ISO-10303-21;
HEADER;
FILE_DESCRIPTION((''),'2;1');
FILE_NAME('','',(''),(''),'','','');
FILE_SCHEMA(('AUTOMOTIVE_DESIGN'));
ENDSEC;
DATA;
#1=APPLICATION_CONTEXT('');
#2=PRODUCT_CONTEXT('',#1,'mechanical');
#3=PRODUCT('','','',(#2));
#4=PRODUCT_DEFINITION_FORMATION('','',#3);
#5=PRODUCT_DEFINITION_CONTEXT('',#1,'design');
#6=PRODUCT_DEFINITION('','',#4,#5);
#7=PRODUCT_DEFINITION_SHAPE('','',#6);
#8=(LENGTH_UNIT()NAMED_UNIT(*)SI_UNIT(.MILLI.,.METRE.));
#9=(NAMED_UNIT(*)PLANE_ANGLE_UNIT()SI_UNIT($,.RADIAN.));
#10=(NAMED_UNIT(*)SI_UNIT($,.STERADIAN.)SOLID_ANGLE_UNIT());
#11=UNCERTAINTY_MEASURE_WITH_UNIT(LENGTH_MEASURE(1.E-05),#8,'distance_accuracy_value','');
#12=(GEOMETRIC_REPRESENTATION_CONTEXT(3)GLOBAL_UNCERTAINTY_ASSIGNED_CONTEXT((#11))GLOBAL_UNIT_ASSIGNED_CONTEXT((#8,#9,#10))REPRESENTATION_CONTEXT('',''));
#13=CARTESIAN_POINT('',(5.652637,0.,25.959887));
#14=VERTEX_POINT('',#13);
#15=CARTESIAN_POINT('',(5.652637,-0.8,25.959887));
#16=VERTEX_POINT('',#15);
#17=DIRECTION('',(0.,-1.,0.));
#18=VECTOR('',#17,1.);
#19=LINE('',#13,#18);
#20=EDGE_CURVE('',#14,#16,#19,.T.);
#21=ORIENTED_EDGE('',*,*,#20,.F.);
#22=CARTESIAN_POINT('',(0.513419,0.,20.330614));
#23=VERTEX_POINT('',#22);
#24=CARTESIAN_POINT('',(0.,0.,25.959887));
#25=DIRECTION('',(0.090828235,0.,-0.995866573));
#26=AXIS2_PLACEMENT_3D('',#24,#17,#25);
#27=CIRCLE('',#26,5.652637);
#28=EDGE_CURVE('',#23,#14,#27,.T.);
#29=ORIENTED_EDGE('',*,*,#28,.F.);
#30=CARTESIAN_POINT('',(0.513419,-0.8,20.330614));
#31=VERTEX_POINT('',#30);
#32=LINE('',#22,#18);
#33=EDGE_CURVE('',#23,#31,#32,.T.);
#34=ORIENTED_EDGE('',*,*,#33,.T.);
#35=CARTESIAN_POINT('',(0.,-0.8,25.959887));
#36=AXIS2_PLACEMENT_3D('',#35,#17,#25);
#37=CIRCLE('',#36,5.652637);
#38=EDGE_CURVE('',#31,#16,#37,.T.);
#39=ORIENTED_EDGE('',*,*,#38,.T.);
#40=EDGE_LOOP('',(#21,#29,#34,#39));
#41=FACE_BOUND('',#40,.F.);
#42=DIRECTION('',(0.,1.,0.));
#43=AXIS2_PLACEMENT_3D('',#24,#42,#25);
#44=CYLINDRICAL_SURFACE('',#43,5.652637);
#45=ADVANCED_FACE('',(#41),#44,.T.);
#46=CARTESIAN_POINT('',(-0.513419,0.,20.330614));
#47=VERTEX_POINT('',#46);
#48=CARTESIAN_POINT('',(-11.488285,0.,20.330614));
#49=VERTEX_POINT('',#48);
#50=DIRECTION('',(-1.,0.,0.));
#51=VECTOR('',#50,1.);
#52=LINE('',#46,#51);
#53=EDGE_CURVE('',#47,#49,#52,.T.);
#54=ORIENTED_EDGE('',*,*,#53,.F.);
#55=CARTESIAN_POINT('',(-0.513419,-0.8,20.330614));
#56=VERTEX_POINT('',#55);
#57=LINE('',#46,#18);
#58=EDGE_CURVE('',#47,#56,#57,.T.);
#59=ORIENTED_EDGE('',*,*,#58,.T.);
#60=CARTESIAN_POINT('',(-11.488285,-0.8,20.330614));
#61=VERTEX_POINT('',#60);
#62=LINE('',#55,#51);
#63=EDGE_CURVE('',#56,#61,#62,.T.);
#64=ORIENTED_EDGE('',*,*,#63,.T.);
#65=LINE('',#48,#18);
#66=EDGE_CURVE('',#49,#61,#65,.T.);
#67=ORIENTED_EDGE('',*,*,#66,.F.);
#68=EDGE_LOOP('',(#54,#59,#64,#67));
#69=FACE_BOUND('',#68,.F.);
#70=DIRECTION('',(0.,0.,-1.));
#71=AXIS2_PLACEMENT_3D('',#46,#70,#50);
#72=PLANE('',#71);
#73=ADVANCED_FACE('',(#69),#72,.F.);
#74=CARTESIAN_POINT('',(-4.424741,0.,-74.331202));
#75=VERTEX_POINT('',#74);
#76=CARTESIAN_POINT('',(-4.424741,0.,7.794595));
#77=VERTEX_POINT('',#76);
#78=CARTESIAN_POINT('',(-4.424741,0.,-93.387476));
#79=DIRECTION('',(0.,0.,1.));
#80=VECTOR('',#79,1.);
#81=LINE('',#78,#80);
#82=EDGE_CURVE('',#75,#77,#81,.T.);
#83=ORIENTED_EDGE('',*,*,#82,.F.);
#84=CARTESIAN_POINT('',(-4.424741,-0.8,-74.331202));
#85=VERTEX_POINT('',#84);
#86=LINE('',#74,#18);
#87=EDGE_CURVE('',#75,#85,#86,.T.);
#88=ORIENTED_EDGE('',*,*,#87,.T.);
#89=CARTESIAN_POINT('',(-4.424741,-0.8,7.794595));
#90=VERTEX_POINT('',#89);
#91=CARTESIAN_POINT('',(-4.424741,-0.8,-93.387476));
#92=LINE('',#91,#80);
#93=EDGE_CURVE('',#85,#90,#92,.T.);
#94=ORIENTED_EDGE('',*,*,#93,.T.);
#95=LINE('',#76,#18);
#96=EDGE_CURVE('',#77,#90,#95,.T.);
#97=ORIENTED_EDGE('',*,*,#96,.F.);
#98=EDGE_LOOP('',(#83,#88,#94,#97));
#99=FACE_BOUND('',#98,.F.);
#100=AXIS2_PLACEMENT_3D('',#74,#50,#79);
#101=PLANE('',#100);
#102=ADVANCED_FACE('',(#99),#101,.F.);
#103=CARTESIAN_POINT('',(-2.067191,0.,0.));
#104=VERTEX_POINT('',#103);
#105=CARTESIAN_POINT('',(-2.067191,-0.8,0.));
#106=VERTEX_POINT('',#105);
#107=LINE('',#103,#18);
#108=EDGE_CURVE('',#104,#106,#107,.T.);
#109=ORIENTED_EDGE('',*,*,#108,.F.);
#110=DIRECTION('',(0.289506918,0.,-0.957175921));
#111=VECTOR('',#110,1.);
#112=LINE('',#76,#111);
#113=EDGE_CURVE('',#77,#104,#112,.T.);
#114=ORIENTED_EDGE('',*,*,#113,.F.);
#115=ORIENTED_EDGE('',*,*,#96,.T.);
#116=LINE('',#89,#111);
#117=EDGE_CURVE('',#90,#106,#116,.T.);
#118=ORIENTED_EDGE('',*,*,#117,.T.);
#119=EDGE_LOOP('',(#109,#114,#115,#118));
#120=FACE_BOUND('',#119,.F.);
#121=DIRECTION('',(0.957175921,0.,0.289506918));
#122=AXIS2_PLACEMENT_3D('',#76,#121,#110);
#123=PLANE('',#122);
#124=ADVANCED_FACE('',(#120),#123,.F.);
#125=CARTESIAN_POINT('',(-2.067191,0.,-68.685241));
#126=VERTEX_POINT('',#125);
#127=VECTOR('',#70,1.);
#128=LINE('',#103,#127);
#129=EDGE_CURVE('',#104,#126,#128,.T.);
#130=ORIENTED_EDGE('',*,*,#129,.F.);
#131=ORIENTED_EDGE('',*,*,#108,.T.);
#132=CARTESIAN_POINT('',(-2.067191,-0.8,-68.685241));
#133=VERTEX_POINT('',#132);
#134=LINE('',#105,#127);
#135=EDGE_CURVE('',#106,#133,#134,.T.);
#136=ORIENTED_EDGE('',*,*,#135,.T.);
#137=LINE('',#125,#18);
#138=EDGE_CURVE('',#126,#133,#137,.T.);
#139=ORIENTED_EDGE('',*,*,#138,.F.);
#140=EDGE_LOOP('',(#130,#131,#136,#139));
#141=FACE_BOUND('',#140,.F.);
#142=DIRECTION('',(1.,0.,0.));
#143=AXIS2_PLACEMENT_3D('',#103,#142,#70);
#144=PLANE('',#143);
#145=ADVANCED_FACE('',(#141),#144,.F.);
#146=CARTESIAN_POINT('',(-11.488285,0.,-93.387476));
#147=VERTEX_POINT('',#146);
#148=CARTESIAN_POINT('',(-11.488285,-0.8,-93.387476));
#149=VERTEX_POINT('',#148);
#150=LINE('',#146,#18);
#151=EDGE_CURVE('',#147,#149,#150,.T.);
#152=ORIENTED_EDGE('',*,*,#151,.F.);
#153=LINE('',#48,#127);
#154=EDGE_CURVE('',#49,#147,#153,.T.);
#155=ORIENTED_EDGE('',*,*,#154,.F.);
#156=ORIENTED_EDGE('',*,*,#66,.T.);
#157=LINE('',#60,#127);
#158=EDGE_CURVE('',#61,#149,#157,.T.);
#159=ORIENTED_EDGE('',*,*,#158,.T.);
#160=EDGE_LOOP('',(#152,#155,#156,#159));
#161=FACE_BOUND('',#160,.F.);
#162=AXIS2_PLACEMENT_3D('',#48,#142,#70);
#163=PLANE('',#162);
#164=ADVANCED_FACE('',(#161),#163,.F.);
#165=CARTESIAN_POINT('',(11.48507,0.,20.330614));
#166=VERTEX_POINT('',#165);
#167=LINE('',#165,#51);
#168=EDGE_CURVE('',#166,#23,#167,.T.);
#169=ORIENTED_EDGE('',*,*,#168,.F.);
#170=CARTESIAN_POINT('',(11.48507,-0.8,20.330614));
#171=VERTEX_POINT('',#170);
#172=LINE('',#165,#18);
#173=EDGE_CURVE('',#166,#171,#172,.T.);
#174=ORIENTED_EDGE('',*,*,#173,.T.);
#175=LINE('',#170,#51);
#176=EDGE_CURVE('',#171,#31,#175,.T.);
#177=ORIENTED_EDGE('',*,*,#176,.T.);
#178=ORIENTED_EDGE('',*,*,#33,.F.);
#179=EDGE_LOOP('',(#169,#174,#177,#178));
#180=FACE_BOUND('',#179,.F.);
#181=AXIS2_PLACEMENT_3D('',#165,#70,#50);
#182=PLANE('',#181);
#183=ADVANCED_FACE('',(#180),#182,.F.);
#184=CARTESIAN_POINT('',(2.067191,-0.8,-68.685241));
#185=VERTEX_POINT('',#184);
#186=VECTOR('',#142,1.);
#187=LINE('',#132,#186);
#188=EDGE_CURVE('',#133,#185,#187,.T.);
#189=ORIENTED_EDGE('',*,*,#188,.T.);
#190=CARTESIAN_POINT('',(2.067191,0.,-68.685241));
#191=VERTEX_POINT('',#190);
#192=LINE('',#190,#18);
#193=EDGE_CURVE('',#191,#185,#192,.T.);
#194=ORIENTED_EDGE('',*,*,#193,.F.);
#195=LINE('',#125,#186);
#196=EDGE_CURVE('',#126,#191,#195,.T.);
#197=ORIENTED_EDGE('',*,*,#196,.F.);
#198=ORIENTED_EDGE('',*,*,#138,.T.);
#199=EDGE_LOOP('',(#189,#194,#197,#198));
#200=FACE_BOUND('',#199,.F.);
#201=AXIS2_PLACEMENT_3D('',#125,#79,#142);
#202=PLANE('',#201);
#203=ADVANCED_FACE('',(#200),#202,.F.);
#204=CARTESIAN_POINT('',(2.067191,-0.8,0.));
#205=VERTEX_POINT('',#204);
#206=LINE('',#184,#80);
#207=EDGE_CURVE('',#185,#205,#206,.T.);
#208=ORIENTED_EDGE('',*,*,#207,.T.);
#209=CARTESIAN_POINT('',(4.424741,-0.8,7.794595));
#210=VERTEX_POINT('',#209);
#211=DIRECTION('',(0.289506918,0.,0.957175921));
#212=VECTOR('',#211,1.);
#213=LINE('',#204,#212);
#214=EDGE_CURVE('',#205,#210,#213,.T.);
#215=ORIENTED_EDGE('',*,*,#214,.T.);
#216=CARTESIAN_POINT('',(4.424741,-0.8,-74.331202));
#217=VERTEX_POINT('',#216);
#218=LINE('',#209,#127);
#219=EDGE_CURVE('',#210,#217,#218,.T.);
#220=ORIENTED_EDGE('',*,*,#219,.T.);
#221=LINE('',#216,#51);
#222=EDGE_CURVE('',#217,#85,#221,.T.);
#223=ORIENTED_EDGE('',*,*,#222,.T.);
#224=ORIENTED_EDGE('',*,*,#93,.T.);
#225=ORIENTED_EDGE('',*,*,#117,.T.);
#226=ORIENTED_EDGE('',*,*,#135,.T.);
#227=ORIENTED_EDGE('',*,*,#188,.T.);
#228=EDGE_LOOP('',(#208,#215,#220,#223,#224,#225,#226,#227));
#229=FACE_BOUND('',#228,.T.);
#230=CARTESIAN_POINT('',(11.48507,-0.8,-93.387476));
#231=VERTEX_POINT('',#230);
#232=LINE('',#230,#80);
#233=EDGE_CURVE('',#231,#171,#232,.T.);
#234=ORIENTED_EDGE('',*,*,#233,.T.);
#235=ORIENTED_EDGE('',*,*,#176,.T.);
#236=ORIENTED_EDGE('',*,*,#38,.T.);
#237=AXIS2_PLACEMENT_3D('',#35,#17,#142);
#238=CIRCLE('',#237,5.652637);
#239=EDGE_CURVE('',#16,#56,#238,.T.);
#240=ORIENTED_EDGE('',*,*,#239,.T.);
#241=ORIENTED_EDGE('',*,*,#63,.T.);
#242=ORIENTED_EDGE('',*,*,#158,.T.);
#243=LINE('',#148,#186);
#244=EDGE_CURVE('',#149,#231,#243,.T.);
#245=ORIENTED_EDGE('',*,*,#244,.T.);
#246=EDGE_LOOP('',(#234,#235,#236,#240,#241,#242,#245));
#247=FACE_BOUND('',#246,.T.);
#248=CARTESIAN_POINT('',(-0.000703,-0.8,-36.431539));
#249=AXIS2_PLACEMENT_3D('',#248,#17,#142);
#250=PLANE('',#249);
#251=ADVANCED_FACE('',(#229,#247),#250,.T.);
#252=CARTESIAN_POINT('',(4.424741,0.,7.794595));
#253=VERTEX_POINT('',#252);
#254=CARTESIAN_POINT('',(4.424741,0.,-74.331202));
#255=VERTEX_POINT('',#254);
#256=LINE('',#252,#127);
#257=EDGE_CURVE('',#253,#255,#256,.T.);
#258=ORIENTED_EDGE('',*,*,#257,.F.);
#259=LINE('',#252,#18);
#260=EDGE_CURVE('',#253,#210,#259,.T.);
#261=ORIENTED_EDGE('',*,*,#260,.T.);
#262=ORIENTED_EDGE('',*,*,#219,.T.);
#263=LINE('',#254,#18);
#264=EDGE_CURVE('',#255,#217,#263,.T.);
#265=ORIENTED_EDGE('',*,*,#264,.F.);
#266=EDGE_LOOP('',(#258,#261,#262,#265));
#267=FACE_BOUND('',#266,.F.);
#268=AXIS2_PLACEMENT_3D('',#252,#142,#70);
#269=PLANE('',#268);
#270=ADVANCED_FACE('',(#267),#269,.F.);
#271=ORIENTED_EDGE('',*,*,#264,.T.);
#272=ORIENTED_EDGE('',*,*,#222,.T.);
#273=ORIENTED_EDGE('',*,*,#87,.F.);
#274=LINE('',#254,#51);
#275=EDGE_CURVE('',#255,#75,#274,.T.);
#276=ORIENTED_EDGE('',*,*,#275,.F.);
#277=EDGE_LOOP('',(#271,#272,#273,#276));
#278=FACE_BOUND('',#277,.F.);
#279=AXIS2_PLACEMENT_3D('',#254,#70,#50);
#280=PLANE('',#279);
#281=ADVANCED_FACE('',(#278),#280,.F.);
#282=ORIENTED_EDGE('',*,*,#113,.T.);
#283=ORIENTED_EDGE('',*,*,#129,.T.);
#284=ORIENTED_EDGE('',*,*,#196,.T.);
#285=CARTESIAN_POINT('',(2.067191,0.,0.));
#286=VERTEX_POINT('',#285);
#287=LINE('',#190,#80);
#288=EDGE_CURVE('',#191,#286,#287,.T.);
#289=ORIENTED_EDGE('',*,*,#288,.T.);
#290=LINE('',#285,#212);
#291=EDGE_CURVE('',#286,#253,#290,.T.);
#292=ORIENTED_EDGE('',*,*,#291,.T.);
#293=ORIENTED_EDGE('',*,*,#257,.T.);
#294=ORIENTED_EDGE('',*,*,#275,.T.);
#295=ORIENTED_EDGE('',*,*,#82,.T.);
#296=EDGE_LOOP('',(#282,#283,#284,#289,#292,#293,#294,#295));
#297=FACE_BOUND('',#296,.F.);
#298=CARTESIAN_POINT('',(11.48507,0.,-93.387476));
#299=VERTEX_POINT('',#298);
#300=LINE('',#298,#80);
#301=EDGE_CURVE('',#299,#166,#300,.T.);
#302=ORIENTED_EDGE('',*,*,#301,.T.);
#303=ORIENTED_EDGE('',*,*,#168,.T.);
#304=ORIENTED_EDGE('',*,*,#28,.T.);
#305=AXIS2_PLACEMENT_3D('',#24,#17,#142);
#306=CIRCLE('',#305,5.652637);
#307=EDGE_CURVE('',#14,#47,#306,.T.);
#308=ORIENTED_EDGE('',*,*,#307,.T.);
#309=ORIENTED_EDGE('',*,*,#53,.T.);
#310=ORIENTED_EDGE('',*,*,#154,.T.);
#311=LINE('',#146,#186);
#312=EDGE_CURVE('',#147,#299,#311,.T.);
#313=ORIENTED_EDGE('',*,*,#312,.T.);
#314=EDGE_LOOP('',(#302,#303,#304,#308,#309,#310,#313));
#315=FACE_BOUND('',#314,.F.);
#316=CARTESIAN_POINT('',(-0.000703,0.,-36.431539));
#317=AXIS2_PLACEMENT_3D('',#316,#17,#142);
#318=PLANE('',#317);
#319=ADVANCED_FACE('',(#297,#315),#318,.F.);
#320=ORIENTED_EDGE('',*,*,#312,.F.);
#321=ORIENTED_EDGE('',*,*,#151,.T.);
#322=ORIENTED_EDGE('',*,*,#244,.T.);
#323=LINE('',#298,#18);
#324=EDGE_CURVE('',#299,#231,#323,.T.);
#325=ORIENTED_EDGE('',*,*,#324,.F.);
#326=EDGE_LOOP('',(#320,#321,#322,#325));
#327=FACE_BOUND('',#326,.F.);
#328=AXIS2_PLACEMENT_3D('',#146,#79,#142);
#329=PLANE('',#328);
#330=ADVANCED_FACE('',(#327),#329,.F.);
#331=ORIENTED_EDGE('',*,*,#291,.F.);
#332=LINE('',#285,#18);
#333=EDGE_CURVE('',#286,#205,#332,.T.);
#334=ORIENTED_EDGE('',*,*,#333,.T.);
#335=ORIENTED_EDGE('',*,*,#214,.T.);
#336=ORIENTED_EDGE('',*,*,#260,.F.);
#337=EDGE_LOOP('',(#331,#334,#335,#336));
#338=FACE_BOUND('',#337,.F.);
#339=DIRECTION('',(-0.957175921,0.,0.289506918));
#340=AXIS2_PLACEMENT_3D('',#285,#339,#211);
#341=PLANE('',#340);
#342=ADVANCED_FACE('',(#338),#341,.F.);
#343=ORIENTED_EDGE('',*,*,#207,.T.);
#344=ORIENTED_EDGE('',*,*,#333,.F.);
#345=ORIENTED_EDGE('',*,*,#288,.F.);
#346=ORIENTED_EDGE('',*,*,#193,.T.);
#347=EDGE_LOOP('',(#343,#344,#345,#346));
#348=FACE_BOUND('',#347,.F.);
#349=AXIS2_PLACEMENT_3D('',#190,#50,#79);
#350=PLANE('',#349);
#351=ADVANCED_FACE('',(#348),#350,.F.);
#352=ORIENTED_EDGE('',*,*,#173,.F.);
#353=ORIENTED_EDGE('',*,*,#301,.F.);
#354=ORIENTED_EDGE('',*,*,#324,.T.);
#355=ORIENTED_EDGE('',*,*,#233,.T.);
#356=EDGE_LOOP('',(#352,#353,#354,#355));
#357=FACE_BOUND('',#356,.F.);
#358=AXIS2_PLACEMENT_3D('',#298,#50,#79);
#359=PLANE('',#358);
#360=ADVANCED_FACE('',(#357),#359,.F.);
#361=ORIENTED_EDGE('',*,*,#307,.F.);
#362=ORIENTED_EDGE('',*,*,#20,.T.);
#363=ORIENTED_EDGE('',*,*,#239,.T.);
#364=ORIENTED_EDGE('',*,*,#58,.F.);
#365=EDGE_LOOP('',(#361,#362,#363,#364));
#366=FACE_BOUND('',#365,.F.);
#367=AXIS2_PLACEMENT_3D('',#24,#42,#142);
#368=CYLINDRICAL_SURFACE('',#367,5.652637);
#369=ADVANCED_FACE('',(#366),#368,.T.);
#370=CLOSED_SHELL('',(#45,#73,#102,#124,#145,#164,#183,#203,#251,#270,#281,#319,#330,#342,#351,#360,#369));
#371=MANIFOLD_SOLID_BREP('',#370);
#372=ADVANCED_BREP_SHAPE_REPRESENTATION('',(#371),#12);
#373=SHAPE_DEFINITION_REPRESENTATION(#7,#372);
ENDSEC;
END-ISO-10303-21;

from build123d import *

# Parameters (mm, degrees)
F0_W     = 2.3575491577
F0_H     = 19.056274371
F0_W_2   = 4.1343827633
F1_DEPTH = 0.8


with BuildPart() as f1:
    # F0 (on Front) → F1 (new body)
    with BuildSketch(Plane.XZ):
        with BuildLine():
            ThreePointArc((0.5134190636, 20.3306143382), (0, 20.3072495762), (-0.5134190636, 20.3306143382))
            Line((-0.5134190636, 20.3306143382), (-11.4882850616, 20.3306143382))
            Line((-11.4882850616, 20.3306143382), (-11.4882850616, -93.387475984))
            Line((-11.4882850616, -93.387475984), (-4.4247405394, -93.387475984))
            Line((-4.4247405394, -93.387475984), (-4.4247405394, -74.3312016129))
            Line((-4.4247405394, -74.3312016129), (-4.4247405394, 7.7945953777))
            Line((-4.4247405394, 7.7945953777), (-2.0671913816, 0))
            Line((-2.0671913816, 0), (-2.0671913816, -68.6852410436))
            Line((-2.0671913816, -68.6852410436), (2.0671913816, -68.6852410436))
            Line((2.0671913816, -68.6852410436), (2.0671913816, 0))
            Line((2.0671913816, 0), (4.4247405394, 7.7945953777))
            Line((4.4247405394, 7.7945953777), (4.4247405394, -74.3312016129))
            Line((4.4247405394, -74.3312016129), (4.4247405394, -93.387475984))
            Line((4.4247405394, -93.387475984), (11.4850704372, -93.387475984))
            Line((11.4850704372, -93.387475984), (11.4850704372, 20.3306143382))
            Line((11.4850704372, 20.3306143382), (0.5134190636, 20.3306143382))
        make_face()
        with BuildLine():
            ThreePointArc((0.5134190636, 20.3306143382), (4.1745945423, 22.1487100844), (5.6526372145, 25.9598867907))
            ThreePointArc((5.6526372145, 25.9598867907), (-3.8111767063, 30.134481333), (-0.5134190636, 20.3306143382))
            Line((-0.5134190636, 20.3306143382), (0.5134190636, 20.3306143382))
        make_face()
        with BuildLine():
            Line((0.5134190636, 20.3306143382), (-0.5134190636, 20.3306143382))
            ThreePointArc((-0.5134190636, 20.3306143382), (0, 20.3072495762), (0.5134190636, 20.3306143382))
        make_face()
        with Locations((3.2459659605, -83.8593387985)):
            Rectangle(F0_W, F0_H)
        with Locations((0, -83.8593387985)):
            Rectangle(F0_W_2, F0_H)
        with Locations((-3.2459659605, -83.8593387985)):
            Rectangle(F0_W, F0_H)
    extrude(amount=F1_DEPTH)


solid = f1.part
